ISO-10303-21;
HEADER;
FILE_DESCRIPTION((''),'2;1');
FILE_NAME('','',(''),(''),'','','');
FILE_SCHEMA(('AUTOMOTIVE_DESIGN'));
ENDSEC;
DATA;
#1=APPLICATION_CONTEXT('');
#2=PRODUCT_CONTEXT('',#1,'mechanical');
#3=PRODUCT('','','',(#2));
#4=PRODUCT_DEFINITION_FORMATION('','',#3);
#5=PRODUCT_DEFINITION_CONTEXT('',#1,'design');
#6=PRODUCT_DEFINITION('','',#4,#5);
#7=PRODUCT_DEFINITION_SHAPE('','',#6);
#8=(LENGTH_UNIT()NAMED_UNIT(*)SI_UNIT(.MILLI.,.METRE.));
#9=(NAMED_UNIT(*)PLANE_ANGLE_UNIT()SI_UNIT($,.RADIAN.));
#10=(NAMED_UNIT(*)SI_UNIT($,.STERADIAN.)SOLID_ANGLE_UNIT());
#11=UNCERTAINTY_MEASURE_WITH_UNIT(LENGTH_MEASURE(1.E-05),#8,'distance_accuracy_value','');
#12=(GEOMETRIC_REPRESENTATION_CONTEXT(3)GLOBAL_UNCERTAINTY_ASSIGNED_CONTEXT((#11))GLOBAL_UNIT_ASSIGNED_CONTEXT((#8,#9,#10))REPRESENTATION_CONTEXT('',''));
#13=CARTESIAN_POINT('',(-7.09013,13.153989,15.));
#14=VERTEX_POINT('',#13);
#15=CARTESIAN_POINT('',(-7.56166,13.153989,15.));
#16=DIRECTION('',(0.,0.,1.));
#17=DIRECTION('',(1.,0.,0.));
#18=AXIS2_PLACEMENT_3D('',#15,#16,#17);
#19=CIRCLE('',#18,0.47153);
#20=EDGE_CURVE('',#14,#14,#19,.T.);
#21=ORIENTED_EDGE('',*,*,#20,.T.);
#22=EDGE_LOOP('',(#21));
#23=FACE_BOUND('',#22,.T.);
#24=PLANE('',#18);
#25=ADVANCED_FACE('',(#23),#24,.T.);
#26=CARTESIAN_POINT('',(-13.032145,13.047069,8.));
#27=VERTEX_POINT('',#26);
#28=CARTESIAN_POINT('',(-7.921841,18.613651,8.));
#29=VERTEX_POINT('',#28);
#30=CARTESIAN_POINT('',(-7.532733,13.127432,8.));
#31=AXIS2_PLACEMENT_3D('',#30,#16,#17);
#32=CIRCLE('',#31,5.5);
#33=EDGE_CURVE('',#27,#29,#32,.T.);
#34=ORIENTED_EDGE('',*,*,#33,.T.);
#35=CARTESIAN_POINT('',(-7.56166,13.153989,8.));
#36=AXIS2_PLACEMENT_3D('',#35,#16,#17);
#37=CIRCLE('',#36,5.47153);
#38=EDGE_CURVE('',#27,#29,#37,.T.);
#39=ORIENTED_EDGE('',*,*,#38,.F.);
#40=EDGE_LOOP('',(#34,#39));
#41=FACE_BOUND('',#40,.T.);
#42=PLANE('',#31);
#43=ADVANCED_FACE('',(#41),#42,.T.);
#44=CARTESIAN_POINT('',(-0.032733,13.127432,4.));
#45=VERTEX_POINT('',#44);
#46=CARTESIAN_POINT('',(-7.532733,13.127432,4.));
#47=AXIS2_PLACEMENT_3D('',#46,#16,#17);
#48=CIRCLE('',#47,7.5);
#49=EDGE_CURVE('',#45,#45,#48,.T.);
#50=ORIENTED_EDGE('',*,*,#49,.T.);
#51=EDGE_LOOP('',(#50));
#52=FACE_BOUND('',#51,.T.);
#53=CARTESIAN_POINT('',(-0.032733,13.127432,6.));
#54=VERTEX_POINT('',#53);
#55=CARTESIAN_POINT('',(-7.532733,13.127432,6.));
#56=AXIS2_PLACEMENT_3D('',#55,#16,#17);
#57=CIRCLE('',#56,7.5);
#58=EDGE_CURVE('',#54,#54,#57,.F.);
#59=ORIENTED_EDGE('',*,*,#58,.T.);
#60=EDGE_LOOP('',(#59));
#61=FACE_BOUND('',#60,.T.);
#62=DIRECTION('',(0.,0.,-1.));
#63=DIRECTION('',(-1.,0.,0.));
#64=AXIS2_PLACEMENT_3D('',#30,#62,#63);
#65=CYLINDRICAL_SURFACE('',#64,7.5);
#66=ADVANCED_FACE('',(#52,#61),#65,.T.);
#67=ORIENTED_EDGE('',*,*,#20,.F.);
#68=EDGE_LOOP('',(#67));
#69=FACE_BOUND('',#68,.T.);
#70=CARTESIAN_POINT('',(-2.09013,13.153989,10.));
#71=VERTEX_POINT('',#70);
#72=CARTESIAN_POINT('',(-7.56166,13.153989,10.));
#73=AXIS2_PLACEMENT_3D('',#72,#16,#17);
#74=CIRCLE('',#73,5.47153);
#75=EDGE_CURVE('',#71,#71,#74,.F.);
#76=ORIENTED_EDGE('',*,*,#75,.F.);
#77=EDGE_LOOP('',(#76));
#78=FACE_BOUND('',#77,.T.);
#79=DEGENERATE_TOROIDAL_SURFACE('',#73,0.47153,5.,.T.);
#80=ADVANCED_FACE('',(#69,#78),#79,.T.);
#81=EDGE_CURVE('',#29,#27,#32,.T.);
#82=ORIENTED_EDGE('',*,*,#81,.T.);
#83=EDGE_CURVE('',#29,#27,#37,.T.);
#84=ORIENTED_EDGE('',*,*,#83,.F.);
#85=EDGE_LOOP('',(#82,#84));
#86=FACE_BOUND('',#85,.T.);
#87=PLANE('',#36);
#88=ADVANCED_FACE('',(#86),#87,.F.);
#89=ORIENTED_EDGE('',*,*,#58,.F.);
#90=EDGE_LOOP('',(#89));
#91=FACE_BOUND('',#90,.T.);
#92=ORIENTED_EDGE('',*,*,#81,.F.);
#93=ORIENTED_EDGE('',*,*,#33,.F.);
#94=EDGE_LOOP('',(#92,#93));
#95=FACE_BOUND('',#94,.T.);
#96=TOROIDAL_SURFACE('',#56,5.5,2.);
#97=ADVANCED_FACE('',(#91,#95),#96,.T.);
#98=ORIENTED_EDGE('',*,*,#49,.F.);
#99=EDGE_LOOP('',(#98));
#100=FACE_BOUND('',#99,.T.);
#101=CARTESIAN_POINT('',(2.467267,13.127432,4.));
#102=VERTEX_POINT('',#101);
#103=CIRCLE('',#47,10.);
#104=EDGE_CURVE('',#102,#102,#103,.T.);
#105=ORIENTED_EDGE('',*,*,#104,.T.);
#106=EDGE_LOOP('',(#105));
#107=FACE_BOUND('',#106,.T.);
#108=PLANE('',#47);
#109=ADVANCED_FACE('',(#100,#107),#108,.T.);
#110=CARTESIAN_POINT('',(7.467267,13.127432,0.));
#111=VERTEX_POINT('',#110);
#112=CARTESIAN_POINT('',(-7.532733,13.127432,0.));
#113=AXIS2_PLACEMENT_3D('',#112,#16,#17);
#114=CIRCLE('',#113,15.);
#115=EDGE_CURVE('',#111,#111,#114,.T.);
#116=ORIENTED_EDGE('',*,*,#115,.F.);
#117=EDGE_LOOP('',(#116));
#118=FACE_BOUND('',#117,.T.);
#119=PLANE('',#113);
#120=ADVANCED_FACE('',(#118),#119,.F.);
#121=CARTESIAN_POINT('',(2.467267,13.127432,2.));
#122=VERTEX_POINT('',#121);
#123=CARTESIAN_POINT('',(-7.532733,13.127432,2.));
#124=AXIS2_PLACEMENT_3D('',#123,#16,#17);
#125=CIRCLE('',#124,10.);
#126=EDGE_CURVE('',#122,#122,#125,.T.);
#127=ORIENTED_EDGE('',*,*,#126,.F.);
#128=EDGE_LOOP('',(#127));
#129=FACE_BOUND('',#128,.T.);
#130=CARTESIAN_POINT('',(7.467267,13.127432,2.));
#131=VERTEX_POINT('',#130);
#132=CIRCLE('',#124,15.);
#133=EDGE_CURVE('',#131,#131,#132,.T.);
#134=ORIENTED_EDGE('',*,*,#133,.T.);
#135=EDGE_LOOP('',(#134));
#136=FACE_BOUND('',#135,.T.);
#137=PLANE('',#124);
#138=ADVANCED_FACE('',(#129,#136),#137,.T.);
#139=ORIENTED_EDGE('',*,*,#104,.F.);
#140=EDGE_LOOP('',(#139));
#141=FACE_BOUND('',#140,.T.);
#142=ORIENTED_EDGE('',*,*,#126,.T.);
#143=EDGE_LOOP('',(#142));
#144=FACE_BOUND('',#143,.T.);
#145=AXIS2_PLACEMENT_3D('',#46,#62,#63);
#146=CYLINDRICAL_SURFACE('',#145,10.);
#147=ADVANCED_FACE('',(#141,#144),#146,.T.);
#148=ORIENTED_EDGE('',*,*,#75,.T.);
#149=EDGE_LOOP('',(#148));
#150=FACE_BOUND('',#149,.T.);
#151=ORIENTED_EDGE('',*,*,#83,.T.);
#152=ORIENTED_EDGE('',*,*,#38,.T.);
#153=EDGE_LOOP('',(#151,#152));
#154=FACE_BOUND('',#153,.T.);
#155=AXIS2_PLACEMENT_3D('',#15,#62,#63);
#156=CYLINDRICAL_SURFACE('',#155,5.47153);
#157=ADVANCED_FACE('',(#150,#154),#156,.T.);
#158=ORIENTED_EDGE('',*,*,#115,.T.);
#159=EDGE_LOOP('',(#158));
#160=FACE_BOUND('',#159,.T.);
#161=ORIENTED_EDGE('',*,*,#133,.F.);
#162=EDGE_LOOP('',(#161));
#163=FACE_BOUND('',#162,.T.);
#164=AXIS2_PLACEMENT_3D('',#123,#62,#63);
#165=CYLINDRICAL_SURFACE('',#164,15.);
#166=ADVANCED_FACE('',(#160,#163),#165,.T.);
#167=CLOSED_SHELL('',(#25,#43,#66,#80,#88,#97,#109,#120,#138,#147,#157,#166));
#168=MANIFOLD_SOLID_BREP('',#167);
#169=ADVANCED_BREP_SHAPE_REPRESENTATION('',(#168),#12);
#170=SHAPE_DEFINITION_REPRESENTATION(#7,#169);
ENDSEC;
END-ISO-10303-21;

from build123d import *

# Parameters (mm, degrees)
SKETCH1_R           = 15
BOSS_EXTRUDE1_DEPTH = 2
SKETCH2_R           = 10
BOSS_EXTRUDE2_DEPTH = 2
SKETCH3_R           = 7.5
BOSS_EXTRUDE3_DEPTH = 4
FILLET1_R           = 2
SKETCH4_R           = 5.471529996
BOSS_EXTRUDE4_DEPTH = 7
FILLET2_R           = 5


with BuildPart() as part:
    # Sketch1 → Boss-Extrude1 (new body)
    with BuildSketch(Plane.XY):
        with Locations((-7.532732603, 13.127432061)):
            Circle(SKETCH1_R)
    extrude(amount=BOSS_EXTRUDE1_DEPTH)

    # Sketch2 → Boss-Extrude2 (add)
    with BuildSketch(Plane.XY.offset(2)):
        with Locations((-7.532732603, 13.127432061)):
            Circle(SKETCH2_R)
    extrude(amount=BOSS_EXTRUDE2_DEPTH)

    # Sketch3 → Boss-Extrude3 (add)
    with BuildSketch(Plane.XY.offset(4)):
        with Locations((-7.532732603, 13.127432061)):
            Circle(SKETCH3_R)
    extrude(amount=BOSS_EXTRUDE3_DEPTH)

    # Fillet1
    fillet1_edges = [part.edges().sort_by_distance(p)[0] for p in [
        (-15.032732603, 13.127432061, 8),
    ]]
    fillet(fillet1_edges, radius=FILLET1_R)

    # Sketch4 → Boss-Extrude4 (add)
    with BuildSketch(Plane.XY.offset(8)):
        with Locations((-7.561660228, 13.153988569)):
            Circle(SKETCH4_R)
    extrude(amount=BOSS_EXTRUDE4_DEPTH)

    # Fillet2
    fillet2_edges = [part.edges().sort_by_distance(p)[0] for p in [
        (-13.033190224, 13.153988569, 15),
    ]]
    fillet(fillet2_edges, radius=FILLET2_R)


solid = part.part
